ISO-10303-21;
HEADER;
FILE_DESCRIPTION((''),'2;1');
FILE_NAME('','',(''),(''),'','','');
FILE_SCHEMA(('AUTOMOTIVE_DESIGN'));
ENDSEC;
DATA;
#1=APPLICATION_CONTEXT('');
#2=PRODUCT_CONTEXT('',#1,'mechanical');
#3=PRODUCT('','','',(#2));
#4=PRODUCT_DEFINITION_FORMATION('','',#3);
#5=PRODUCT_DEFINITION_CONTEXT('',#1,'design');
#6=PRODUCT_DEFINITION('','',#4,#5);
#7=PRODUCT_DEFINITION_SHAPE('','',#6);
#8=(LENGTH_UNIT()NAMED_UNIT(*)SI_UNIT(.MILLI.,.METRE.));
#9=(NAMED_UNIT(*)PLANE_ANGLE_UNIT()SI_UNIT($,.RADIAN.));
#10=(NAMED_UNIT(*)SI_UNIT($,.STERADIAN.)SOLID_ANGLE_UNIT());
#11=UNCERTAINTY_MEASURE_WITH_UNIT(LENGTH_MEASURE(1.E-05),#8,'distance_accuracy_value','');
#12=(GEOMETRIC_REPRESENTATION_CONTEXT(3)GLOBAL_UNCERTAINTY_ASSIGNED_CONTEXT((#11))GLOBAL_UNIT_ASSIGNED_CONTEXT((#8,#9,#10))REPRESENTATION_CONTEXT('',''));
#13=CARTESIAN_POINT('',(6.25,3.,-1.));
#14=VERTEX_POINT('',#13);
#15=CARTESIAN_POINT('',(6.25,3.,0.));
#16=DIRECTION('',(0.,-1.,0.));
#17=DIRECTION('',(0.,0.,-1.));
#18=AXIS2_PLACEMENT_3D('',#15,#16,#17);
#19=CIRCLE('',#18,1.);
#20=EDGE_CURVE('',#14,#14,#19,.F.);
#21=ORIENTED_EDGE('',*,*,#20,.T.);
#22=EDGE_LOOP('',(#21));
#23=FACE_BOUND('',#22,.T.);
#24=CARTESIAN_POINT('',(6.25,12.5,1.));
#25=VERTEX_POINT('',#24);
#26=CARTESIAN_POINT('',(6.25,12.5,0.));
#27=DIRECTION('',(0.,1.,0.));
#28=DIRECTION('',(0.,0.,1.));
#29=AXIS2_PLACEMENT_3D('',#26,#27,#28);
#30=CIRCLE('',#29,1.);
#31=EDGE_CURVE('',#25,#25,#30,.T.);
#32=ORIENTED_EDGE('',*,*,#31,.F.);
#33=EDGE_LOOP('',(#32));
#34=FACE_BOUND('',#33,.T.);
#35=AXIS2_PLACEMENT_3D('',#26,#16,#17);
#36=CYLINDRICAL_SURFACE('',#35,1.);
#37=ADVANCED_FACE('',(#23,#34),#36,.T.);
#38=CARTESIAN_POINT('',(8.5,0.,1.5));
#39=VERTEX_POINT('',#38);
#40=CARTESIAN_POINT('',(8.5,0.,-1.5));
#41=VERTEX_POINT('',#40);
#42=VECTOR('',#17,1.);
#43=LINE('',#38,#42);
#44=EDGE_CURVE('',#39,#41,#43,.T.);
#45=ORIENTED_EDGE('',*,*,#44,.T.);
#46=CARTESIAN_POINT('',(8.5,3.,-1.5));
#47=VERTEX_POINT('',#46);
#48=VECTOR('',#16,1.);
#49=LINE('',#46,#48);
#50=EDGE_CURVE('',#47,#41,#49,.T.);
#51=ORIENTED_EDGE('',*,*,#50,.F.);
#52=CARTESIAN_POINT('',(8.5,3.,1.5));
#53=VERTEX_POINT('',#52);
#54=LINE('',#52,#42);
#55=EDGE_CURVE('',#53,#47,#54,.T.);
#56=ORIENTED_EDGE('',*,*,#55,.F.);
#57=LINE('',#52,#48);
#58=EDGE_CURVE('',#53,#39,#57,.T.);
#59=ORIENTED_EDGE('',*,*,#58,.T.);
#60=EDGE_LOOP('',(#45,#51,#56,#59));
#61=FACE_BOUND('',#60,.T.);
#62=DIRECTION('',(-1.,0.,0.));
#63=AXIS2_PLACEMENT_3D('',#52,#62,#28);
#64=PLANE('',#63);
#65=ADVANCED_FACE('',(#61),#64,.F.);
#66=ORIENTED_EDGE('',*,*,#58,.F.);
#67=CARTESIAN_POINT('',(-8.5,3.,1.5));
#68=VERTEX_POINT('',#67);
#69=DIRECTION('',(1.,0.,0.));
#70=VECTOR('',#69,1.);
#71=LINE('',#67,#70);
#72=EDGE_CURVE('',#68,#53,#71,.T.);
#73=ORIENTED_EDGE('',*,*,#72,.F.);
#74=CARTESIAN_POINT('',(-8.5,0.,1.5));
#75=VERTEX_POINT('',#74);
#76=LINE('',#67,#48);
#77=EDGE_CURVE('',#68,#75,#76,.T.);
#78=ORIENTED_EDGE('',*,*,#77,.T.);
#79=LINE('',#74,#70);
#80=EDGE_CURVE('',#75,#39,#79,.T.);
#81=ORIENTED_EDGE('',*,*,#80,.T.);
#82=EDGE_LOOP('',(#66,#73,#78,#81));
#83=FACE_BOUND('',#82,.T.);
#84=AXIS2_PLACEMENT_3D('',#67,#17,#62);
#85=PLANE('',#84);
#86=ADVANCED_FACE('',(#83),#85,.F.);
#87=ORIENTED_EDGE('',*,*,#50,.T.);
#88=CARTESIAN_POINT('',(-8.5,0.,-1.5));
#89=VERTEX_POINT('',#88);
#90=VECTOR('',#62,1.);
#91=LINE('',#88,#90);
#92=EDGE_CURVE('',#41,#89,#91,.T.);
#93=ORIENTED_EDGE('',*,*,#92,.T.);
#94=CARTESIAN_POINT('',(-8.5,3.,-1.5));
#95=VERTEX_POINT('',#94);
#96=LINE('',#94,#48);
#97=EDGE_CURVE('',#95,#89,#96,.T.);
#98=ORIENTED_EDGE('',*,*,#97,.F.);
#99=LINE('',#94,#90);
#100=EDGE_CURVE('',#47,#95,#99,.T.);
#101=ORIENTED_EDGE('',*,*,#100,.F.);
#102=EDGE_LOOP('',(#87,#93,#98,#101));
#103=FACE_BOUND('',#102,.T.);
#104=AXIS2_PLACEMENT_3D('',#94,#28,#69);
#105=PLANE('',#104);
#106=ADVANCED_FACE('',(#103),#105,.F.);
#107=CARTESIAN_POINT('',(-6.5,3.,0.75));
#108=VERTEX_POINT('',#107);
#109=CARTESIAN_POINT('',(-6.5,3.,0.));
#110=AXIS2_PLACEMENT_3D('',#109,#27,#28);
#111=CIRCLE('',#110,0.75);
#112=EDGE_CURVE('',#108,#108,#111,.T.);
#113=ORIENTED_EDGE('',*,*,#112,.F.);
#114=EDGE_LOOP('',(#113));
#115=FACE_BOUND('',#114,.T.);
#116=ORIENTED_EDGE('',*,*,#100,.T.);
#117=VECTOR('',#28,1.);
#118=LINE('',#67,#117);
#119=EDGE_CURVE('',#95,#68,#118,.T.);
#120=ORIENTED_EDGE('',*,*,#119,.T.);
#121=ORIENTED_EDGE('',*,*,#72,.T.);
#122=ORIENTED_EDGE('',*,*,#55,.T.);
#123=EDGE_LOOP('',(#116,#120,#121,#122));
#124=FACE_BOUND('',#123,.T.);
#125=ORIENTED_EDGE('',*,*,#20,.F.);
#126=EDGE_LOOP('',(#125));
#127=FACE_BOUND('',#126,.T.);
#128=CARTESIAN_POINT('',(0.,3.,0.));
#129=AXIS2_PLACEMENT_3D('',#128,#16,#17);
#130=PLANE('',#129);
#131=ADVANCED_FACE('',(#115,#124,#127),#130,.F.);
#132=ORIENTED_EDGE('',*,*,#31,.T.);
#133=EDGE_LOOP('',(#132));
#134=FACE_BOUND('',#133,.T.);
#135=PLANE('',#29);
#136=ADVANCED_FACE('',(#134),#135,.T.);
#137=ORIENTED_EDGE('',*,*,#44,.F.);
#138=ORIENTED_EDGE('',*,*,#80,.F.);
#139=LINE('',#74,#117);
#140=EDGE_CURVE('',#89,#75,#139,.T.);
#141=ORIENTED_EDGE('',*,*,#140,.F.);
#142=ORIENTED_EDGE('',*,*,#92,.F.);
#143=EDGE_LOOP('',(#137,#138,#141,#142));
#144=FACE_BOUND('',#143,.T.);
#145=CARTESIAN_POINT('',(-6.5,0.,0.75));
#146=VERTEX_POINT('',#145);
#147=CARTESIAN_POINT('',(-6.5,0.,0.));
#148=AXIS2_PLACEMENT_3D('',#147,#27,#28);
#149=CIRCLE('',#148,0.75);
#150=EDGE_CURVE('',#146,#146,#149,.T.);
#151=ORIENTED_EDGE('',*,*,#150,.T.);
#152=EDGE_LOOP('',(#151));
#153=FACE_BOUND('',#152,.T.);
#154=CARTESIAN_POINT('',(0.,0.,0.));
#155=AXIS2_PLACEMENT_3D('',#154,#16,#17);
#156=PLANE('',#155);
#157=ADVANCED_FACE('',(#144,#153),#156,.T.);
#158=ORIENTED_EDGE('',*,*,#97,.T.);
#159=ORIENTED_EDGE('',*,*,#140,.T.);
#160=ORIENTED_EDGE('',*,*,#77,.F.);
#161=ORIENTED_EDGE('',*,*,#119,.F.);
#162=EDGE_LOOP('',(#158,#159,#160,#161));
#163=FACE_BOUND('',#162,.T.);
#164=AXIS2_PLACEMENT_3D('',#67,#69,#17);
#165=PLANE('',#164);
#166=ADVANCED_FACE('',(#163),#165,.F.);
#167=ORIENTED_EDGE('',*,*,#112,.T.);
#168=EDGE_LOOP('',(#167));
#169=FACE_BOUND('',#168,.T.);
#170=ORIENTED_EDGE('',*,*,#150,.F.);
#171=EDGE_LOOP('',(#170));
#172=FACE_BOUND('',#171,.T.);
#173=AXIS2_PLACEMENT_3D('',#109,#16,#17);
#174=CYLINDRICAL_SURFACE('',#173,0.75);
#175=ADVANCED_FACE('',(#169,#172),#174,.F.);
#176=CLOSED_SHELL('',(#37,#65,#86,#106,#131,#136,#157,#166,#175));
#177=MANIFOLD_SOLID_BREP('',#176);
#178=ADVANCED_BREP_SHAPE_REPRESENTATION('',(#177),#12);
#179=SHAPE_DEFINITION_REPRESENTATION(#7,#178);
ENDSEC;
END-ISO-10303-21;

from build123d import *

# Parameters (mm, degrees)
CROQUIS1_W              = 17
CROQUIS1_H              = 3
CROQUIS1_R              = 0.75
SALIENTE_EXTRUIR1_DEPTH = 3
CROQUIS2_R              = 1
SALIENTE_EXTRUIR2_DEPTH = 9.5


with BuildPart() as part:
    # Croquis1 → Saliente-Extruir1 (new body)
    with BuildSketch(Plane(origin=(0, 0, 0), x_dir=(1, 0, 0), z_dir=(0, 1, 0))):
        Rectangle(CROQUIS1_W, CROQUIS1_H)
        with Locations(Location((-6.5, 0, 0), (0, 0, 270))):
            Circle(CROQUIS1_R, mode=Mode.SUBTRACT)
    extrude(amount=SALIENTE_EXTRUIR1_DEPTH)

    # Croquis2 → Saliente-Extruir2 (add)
    with BuildSketch(Plane(origin=(0, 3, 0), x_dir=(1, 0, 0), z_dir=(0, 1, 0))):
        with Locations(Location((6.25, 0, 0), (0, 0, 90))):
            Circle(CROQUIS2_R)
    extrude(amount=SALIENTE_EXTRUIR2_DEPTH)


solid = part.part
